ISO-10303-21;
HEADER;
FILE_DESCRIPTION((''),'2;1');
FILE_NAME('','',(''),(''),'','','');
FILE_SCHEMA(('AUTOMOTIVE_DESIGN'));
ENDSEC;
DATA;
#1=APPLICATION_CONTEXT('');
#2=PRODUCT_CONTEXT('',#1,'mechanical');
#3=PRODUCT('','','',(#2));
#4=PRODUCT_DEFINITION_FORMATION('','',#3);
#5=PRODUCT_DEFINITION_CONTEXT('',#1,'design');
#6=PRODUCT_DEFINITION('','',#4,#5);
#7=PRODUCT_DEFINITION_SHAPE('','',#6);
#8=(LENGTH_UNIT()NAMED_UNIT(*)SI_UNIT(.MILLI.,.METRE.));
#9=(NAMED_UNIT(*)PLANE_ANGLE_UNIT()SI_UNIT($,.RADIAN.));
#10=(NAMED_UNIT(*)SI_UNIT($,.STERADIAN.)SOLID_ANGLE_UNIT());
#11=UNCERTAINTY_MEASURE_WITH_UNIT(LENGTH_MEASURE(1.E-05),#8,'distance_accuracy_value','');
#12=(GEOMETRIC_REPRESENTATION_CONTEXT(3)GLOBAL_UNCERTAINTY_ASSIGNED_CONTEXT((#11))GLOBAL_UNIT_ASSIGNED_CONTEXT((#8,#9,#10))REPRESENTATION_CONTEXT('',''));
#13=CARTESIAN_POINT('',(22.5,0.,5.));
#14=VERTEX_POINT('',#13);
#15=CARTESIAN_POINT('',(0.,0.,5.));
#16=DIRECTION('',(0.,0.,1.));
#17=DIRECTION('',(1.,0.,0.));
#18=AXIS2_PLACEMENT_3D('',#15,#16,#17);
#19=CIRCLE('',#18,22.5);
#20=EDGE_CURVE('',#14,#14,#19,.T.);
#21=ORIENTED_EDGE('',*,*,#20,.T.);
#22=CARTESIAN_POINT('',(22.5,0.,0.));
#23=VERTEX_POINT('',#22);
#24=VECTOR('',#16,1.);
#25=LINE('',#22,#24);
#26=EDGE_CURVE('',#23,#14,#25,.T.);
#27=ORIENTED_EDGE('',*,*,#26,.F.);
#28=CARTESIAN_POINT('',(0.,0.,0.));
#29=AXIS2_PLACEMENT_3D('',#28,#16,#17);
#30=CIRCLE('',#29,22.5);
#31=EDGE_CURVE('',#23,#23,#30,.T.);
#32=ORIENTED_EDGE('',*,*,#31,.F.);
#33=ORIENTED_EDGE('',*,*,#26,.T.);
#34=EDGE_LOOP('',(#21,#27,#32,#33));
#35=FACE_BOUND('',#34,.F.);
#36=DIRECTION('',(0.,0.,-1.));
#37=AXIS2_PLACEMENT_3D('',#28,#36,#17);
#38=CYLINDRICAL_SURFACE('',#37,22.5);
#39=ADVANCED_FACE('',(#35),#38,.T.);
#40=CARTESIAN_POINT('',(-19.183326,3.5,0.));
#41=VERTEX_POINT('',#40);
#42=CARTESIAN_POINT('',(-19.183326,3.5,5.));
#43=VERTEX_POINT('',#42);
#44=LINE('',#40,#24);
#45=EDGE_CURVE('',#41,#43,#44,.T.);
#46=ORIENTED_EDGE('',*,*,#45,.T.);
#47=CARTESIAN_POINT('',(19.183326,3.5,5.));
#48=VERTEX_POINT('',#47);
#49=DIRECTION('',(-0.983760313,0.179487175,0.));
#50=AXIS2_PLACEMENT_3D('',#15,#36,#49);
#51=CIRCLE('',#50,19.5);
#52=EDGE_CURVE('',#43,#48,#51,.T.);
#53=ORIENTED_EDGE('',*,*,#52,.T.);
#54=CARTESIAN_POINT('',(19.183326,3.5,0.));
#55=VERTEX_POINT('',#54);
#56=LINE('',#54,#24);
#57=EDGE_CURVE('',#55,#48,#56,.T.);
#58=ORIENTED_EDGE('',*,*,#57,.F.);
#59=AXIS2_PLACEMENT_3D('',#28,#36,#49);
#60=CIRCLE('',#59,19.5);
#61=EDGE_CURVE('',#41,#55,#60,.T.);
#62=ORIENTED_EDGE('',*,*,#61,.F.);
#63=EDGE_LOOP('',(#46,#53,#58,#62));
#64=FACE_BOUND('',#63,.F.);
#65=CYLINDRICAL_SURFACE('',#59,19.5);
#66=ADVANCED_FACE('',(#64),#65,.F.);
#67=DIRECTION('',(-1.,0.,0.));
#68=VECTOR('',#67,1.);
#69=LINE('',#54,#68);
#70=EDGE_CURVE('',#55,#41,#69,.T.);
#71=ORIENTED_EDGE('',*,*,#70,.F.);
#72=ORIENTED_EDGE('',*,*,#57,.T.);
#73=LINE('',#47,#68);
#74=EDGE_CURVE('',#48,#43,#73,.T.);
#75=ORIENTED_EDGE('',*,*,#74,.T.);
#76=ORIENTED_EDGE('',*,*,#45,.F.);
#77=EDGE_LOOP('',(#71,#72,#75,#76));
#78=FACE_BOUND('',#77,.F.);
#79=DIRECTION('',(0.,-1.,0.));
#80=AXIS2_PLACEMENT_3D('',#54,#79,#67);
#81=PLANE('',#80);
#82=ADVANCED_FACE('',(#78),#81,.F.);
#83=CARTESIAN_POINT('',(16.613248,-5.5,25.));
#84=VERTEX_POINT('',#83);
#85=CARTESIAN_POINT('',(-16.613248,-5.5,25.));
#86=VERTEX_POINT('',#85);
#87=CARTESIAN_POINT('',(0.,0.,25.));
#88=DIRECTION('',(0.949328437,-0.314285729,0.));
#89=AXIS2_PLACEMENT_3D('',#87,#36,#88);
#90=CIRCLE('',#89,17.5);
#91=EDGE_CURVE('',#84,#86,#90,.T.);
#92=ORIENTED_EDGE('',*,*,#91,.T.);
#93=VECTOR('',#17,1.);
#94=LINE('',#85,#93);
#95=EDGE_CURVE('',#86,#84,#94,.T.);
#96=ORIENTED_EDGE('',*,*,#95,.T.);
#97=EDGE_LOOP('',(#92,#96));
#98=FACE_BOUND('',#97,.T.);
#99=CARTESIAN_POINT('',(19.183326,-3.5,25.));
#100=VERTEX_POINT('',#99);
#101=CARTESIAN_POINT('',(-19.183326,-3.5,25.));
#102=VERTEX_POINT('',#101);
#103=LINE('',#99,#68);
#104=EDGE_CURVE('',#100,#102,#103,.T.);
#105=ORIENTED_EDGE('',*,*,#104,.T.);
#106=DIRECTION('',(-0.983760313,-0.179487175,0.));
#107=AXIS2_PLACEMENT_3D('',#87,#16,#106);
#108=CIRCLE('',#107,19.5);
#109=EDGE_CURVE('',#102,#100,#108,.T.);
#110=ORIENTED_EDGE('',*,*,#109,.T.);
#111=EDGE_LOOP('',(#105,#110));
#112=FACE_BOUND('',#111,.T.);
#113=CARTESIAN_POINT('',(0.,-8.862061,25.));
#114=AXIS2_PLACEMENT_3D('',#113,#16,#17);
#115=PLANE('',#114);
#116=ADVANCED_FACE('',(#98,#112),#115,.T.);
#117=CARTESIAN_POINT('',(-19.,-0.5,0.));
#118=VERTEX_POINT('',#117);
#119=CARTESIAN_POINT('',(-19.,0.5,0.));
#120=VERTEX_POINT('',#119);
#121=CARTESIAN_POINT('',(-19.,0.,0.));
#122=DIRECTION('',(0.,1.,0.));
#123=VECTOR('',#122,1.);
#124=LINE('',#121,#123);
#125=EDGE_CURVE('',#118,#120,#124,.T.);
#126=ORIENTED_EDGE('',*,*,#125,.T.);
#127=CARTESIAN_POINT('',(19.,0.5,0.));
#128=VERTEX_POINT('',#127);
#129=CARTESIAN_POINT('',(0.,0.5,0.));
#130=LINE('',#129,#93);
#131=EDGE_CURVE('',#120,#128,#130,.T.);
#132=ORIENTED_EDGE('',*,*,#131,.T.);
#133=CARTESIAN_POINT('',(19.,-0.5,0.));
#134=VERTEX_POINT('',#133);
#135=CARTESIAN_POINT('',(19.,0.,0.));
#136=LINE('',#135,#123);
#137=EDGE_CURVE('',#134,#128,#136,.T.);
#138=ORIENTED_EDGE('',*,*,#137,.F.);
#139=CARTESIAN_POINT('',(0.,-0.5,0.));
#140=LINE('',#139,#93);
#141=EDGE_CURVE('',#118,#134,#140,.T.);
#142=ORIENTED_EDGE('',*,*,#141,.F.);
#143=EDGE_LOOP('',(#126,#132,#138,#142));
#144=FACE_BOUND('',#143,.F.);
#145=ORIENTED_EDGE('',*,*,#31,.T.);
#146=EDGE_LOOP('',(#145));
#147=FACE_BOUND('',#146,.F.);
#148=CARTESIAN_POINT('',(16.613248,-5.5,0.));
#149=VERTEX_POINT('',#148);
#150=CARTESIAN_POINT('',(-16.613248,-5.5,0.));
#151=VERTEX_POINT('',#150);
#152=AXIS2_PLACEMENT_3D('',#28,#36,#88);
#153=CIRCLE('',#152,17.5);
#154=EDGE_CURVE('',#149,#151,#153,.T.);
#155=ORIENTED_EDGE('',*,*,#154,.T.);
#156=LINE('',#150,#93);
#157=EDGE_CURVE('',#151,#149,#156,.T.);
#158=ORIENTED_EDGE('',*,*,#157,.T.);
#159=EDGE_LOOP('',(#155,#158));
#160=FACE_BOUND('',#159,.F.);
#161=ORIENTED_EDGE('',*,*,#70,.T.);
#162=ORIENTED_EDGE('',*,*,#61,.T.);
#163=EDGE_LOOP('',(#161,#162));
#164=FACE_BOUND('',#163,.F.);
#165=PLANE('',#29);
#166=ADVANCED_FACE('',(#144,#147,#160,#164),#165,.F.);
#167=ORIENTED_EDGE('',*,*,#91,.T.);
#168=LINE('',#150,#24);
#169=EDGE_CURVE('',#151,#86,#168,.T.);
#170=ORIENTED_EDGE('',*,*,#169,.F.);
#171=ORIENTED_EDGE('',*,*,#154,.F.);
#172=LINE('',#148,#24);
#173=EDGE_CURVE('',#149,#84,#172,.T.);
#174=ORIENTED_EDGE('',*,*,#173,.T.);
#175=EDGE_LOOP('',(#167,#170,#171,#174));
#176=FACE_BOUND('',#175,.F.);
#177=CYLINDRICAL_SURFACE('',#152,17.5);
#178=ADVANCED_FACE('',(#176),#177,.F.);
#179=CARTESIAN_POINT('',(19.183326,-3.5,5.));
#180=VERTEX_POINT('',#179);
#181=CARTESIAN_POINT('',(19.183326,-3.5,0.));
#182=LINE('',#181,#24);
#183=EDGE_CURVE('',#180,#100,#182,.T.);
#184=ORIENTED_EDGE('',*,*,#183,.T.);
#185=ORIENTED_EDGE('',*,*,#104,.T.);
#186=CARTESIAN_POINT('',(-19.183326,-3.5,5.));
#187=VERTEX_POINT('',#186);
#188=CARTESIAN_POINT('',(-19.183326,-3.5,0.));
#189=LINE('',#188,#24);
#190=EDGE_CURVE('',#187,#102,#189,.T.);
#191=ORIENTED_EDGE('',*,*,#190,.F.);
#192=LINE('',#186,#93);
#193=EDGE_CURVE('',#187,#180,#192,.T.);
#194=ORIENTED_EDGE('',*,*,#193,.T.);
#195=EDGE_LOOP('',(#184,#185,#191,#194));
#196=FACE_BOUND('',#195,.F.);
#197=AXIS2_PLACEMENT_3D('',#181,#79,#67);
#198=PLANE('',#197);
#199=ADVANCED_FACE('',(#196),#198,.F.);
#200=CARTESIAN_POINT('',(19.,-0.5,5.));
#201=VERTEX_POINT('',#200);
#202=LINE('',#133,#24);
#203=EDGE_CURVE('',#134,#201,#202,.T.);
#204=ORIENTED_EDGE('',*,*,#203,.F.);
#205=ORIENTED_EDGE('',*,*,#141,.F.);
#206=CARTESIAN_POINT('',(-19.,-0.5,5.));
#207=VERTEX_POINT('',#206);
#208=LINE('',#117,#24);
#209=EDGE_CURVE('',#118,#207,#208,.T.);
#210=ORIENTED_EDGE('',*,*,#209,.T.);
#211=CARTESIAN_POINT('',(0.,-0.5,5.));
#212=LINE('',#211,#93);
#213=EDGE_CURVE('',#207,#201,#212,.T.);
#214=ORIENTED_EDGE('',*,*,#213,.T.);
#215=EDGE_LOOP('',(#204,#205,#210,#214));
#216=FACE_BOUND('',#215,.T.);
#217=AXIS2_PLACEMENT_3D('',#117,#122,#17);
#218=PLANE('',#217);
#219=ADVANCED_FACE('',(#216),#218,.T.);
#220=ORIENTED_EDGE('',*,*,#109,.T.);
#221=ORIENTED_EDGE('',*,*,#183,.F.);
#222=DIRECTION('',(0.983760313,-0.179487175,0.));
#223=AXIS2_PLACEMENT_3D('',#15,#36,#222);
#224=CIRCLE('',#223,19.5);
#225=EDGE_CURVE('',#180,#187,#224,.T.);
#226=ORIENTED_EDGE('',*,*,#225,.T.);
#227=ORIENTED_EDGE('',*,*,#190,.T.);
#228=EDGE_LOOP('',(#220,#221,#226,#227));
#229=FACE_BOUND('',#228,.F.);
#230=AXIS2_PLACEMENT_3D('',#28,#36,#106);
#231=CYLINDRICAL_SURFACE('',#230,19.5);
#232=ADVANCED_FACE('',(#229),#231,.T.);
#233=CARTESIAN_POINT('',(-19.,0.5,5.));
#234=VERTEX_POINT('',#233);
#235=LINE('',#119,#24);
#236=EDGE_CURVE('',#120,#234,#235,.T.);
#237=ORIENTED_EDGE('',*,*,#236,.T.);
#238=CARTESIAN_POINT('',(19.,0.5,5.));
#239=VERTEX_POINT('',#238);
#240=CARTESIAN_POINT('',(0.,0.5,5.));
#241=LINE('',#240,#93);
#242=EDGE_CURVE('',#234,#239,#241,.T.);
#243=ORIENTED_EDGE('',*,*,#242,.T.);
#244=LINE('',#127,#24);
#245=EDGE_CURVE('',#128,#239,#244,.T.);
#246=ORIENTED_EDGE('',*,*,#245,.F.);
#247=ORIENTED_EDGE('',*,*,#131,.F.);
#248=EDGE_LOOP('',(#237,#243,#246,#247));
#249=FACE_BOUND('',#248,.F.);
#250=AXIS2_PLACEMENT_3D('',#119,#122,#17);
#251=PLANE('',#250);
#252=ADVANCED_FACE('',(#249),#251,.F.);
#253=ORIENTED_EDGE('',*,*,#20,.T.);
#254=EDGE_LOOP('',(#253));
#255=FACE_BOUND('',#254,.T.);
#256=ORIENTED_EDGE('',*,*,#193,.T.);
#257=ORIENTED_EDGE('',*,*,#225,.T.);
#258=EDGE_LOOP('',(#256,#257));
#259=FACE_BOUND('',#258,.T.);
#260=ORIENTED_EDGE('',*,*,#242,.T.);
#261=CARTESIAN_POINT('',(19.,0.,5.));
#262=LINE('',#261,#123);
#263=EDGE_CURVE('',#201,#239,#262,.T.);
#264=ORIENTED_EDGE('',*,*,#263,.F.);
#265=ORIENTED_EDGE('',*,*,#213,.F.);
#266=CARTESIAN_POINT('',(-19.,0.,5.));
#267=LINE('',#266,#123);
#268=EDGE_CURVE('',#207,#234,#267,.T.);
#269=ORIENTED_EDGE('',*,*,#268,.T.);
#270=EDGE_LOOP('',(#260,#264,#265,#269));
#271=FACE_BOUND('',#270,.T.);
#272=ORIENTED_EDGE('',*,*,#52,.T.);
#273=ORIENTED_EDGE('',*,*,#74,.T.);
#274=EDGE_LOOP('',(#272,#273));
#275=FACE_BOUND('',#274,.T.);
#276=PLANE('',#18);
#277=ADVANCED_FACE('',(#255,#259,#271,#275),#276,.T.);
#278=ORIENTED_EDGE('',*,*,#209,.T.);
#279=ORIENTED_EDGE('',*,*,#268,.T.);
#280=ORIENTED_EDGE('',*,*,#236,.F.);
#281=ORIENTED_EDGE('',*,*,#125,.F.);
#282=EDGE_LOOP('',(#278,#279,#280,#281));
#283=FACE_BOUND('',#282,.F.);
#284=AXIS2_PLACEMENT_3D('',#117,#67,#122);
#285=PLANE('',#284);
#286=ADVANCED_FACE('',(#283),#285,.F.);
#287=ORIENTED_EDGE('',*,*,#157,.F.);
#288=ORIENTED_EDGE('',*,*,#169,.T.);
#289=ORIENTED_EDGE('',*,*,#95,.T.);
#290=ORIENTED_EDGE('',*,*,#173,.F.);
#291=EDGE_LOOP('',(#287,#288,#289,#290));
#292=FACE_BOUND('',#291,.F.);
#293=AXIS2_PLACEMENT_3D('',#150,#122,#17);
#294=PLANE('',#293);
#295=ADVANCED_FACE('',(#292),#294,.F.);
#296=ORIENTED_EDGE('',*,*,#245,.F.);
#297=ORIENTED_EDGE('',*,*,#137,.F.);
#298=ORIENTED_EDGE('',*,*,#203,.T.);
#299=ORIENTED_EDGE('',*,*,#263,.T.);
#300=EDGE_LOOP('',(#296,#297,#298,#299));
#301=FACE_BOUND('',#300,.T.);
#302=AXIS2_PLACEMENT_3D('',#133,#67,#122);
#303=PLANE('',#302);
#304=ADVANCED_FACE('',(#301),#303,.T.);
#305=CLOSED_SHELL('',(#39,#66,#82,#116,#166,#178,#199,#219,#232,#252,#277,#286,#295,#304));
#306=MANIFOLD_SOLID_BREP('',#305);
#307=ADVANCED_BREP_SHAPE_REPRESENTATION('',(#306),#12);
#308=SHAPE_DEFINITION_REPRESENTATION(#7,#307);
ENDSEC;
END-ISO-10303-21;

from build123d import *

# Parameters (mm, degrees)
F0_R     = 22.5
F0_W     = 38
F0_H     = 1
F1_DEPTH = 5
F2_DEPTH = 25


with BuildPart() as f1:
    # F0 (on Top) → F1 (new body)
    with BuildSketch(Plane.XY):
        Circle(F0_R)
        with BuildLine():
            ThreePointArc((19.183326, -3.5), (0, -19.5), (-19.183326, -3.5))
            Line((-19.183326, -3.5), (19.183326, -3.5))
        make_face(mode=Mode.SUBTRACT)
        Rectangle(F0_W, F0_H, mode=Mode.SUBTRACT)
        with BuildLine():
            Line((19.183326, 3.5), (-19.183326, 3.5))
            ThreePointArc((-19.183326, 3.5), (0, 19.5), (19.183326, 3.5))
        make_face(mode=Mode.SUBTRACT)
    extrude(amount=F1_DEPTH)

    # F0 (on Top) → F2 (join)
    with BuildSketch(Plane.XY):
        with BuildLine():
            Line((19.183326, -3.5), (-19.183326, -3.5))
            ThreePointArc((-19.183326, -3.5), (0, -19.5), (19.183326, -3.5))
        make_face()
        with BuildLine():
            ThreePointArc((16.613248, -5.5), (0, -17.5), (-16.613248, -5.5))
            Line((-16.613248, -5.5), (16.613248, -5.5))
        make_face(mode=Mode.SUBTRACT)
    extrude(amount=F2_DEPTH)


solid = f1.part
